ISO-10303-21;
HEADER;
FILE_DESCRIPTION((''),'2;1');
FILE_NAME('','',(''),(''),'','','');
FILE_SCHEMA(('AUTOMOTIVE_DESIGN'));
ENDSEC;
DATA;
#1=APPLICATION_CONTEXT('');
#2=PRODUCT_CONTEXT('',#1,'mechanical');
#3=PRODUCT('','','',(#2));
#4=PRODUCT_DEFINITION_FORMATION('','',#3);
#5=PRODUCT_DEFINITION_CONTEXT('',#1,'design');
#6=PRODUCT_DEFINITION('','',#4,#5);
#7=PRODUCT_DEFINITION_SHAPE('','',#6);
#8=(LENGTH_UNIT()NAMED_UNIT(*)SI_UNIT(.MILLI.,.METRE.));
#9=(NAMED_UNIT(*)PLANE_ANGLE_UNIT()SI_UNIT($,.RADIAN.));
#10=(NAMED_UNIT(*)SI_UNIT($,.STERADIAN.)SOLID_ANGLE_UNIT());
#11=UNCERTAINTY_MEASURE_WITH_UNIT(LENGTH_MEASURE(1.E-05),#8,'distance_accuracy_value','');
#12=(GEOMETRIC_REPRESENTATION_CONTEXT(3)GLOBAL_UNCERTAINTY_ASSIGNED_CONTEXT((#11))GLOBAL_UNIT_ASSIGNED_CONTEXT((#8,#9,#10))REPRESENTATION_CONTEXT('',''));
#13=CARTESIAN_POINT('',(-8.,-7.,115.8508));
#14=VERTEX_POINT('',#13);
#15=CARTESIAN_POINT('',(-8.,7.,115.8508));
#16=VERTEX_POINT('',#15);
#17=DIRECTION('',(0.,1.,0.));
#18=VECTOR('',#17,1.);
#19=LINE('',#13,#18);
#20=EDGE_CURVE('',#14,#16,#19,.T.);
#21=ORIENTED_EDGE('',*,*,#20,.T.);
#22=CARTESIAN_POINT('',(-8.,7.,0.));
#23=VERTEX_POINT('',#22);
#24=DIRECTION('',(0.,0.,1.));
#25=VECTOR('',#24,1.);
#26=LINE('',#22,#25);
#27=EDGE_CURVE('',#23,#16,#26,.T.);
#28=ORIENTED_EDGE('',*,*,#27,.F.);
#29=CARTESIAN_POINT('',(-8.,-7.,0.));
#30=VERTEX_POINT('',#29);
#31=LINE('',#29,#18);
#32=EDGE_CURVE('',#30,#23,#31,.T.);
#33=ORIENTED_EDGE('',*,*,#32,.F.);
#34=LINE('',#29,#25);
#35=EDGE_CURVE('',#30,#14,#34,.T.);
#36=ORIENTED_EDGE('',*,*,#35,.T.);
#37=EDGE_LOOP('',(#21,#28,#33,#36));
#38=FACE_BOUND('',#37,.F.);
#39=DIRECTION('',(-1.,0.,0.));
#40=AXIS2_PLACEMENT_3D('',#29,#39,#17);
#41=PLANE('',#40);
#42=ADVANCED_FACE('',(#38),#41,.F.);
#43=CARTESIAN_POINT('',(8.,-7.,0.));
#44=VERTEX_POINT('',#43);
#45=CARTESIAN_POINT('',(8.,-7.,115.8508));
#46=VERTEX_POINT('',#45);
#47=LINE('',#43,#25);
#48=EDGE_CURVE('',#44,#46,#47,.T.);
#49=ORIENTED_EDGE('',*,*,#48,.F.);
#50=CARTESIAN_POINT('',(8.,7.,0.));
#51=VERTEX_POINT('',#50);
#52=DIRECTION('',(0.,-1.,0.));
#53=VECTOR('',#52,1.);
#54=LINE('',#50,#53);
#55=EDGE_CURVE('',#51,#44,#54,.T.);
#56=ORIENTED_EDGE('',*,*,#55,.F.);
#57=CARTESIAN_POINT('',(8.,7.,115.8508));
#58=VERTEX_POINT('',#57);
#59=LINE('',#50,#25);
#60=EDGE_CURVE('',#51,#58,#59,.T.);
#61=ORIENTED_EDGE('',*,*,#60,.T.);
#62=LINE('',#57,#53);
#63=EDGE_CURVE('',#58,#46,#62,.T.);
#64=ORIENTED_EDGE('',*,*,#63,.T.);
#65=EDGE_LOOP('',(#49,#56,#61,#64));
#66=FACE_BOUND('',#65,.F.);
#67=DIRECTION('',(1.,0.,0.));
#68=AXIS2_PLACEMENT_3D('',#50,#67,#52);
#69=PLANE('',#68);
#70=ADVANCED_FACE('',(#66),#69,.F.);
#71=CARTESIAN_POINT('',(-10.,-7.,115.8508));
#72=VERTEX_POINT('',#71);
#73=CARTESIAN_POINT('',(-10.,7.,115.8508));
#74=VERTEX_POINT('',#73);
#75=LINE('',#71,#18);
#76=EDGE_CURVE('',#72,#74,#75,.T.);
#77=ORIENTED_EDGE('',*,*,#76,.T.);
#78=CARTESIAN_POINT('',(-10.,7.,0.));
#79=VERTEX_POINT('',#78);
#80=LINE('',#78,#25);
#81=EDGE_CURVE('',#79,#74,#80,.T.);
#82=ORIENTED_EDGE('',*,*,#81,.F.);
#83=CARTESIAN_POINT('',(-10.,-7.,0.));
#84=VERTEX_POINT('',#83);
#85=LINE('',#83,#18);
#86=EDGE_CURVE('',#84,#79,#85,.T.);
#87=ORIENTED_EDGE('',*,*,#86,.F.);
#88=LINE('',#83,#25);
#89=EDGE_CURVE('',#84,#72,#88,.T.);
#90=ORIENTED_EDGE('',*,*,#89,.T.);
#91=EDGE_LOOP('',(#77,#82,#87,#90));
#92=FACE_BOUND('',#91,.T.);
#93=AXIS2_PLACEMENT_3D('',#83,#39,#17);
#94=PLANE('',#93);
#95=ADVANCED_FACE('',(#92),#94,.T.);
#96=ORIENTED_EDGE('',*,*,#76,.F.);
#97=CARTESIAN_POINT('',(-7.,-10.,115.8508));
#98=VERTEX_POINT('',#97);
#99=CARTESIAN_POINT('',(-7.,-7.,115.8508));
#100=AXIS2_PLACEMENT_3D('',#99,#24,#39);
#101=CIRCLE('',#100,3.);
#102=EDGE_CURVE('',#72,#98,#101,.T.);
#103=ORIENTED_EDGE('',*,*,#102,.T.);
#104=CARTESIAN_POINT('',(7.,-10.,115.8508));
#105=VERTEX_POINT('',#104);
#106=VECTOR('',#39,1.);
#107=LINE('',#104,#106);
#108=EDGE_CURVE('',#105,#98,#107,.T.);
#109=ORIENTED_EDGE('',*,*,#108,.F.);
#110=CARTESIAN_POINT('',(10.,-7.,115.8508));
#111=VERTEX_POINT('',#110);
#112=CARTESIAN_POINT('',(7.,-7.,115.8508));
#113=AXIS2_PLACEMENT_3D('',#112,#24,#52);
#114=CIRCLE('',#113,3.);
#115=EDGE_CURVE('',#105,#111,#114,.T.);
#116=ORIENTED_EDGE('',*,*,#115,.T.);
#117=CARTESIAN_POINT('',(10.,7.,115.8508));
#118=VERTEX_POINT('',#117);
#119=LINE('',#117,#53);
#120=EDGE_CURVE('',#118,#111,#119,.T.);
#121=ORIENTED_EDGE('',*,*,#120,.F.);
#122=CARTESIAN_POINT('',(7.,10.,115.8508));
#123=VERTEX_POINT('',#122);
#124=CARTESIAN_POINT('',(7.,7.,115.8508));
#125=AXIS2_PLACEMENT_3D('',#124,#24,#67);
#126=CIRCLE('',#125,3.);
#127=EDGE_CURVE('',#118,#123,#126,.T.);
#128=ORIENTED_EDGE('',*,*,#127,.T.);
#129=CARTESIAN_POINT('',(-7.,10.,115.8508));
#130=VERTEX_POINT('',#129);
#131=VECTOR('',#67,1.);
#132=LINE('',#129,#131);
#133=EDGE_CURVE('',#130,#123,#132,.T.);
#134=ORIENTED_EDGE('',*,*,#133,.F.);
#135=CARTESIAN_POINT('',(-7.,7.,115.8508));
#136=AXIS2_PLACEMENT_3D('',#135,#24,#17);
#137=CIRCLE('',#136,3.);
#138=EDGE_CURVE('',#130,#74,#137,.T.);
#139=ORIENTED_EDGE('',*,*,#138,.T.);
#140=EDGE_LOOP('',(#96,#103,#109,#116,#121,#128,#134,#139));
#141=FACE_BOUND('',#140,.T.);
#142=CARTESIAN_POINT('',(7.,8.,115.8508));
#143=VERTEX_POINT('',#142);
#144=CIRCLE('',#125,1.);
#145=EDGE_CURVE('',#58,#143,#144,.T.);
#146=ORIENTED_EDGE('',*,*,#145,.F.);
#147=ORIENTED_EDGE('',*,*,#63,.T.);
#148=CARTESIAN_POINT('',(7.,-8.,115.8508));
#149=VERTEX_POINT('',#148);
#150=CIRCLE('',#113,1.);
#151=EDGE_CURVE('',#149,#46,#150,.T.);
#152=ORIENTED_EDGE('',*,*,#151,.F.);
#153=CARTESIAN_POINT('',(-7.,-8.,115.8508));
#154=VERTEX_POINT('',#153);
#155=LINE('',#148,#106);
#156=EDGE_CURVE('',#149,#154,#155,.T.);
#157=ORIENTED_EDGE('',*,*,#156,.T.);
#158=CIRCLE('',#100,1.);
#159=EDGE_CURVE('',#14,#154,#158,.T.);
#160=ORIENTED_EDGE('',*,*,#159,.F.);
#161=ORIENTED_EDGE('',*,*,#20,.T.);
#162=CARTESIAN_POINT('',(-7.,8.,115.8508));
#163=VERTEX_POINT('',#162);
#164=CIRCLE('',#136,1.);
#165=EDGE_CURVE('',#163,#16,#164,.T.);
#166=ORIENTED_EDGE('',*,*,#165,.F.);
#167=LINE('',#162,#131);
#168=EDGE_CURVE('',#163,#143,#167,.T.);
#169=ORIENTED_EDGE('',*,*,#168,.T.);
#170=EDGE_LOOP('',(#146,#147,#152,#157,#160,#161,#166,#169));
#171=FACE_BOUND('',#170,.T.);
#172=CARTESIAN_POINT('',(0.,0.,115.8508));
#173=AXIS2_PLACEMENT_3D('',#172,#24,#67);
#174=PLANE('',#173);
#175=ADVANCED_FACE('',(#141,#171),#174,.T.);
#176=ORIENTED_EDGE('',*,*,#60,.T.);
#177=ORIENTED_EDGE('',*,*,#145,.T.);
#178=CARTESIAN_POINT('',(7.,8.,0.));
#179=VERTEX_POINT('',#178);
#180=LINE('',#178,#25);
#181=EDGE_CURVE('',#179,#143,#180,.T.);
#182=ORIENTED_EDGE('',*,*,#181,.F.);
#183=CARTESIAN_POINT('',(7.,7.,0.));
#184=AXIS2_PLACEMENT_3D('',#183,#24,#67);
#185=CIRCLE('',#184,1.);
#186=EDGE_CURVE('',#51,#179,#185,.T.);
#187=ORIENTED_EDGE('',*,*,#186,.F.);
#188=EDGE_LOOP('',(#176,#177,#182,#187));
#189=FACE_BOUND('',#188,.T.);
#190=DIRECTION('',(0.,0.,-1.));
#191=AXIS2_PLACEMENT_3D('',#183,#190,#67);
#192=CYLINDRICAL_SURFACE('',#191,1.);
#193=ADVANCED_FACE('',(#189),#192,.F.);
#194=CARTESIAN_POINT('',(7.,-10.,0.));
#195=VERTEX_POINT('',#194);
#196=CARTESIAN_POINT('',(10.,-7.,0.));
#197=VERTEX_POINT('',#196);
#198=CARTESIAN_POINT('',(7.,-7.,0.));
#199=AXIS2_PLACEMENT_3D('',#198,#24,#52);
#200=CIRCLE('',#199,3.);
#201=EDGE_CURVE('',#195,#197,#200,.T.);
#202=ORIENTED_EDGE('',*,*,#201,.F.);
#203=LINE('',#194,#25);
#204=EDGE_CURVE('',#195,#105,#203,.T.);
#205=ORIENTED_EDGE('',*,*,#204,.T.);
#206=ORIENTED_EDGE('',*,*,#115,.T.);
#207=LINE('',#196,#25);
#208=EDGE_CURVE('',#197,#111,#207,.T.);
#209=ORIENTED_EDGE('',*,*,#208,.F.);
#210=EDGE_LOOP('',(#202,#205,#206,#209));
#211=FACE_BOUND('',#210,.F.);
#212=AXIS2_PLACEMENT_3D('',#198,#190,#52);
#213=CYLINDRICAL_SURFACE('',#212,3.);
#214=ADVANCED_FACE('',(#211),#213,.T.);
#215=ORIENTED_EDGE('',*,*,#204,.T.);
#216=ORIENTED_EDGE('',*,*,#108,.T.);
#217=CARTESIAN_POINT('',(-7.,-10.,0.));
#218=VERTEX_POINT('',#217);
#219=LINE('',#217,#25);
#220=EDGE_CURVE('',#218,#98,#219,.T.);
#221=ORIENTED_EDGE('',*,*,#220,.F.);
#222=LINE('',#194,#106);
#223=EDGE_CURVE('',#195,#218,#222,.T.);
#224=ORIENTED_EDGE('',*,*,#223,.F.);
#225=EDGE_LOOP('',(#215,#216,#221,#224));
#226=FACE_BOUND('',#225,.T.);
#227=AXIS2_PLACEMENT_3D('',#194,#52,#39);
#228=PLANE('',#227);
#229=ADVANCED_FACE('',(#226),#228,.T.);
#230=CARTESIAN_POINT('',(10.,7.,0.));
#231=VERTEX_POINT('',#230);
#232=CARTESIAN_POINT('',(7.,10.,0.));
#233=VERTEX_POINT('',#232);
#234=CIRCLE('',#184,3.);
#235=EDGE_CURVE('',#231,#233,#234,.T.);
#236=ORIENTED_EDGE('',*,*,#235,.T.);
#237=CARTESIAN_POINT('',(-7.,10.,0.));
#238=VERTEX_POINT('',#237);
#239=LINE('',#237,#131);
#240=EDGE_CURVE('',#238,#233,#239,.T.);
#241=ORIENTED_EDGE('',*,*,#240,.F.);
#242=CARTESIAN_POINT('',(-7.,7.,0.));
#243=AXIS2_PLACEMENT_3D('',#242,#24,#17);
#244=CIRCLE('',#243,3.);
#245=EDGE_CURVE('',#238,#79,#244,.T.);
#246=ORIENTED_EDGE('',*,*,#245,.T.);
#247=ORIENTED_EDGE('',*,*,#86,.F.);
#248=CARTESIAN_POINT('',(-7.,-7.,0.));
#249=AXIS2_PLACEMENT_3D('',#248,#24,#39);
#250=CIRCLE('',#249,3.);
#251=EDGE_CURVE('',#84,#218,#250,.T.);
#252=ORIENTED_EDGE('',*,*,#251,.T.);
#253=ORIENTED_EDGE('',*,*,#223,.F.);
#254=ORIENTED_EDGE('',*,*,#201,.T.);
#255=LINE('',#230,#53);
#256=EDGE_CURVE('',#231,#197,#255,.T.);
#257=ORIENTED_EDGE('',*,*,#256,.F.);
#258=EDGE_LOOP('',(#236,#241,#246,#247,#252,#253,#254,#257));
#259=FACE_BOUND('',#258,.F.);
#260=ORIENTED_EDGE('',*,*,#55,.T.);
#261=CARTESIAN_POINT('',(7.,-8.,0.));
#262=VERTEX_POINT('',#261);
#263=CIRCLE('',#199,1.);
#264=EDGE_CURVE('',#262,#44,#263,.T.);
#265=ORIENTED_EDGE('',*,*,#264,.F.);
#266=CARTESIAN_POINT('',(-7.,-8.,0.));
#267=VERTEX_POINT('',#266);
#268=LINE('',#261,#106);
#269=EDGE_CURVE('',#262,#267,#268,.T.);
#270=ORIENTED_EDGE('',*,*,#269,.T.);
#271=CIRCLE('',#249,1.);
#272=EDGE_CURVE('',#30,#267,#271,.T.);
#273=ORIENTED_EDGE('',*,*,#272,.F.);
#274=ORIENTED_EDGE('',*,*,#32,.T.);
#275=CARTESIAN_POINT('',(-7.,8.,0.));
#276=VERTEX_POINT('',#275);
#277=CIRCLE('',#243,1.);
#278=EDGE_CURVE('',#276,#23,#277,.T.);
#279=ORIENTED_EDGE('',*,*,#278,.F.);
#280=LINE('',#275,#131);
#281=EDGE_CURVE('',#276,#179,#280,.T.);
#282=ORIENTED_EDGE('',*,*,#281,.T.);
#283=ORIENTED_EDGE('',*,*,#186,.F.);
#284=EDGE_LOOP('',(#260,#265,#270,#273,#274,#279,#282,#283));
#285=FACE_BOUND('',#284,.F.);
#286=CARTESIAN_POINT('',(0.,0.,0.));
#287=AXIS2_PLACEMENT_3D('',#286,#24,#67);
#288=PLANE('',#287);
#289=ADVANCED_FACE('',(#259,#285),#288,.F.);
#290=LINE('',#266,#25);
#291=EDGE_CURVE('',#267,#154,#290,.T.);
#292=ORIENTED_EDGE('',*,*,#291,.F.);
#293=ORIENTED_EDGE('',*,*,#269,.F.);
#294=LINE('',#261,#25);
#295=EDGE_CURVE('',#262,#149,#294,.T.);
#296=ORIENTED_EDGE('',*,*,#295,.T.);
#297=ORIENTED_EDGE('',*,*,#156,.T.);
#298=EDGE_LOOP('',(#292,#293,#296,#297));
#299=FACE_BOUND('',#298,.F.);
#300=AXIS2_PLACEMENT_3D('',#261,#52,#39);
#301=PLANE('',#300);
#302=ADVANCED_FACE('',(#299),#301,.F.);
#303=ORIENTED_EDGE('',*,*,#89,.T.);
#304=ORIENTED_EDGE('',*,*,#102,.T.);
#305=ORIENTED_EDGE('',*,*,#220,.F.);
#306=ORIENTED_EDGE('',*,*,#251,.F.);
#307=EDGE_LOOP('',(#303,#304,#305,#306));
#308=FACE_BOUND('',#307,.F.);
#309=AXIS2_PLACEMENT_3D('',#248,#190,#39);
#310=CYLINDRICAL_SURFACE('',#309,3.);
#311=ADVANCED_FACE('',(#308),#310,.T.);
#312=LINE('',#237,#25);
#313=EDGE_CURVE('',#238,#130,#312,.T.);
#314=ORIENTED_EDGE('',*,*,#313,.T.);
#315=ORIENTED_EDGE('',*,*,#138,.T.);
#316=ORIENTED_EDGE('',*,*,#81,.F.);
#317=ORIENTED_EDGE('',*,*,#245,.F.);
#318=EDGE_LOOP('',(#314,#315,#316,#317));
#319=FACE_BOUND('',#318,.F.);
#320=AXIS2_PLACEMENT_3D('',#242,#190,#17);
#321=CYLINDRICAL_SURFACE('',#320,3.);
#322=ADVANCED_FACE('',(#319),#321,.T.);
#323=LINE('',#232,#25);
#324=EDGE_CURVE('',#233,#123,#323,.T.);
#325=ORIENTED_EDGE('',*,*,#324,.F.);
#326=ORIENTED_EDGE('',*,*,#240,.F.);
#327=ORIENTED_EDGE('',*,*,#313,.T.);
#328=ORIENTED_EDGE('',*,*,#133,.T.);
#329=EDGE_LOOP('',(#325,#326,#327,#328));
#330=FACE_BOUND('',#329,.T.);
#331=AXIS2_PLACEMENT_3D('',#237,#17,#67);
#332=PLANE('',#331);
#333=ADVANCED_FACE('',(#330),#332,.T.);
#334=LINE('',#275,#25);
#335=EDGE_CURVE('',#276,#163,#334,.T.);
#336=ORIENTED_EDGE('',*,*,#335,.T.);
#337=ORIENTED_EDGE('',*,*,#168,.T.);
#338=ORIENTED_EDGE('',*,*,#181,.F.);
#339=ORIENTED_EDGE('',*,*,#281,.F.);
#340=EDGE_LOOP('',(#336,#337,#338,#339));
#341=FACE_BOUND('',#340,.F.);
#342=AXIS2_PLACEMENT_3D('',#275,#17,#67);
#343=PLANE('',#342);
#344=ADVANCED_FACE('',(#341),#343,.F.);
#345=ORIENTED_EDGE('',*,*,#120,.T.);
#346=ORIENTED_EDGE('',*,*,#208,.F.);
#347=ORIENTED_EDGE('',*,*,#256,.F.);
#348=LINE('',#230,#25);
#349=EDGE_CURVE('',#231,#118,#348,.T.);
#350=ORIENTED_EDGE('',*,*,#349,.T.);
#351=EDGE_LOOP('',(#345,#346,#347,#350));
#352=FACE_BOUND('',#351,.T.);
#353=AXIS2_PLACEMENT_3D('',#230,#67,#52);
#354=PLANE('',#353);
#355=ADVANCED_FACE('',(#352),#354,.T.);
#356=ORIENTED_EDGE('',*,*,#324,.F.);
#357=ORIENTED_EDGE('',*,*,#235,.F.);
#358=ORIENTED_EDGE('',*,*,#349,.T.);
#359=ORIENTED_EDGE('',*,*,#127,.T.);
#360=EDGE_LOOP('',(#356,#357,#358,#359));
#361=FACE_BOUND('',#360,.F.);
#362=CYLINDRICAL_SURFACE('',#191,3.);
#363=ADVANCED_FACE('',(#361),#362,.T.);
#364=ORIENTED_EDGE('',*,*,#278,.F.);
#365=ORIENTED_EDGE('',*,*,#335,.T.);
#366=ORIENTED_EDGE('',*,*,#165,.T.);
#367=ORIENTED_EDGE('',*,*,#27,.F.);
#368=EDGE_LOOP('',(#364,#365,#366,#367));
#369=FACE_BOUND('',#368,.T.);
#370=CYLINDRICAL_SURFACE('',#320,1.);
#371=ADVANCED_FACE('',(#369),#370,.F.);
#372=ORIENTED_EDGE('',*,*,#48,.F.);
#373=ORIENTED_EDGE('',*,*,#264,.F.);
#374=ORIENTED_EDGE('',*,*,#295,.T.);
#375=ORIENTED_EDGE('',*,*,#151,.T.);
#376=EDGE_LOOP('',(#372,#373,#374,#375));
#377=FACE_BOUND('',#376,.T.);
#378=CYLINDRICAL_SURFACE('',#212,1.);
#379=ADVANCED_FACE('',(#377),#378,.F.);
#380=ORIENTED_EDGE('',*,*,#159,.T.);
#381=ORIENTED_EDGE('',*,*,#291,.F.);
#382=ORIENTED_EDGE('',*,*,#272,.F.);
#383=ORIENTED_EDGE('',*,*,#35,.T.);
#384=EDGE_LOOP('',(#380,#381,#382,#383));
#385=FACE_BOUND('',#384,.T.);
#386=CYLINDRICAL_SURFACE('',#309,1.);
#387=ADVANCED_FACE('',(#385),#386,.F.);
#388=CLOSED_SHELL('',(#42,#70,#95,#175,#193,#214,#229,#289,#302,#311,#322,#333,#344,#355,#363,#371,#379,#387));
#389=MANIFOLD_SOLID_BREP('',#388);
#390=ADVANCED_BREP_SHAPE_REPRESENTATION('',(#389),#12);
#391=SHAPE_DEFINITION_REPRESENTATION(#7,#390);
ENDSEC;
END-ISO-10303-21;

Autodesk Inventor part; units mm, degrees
ref_plane "YZ Plane" through (0, 0, 0) normal (1, 0, 0) x (0, 1, 0)
ref_plane "Start Plane" through (0, 0, 0) normal (0, 0, 1) x (1, 0, 0)
ref_plane "End Plane" through (0, 0, 115.8508) normal (0, 0, 1) x (1, 0, 0)
sketch "Sketch" plane through (0, 0, 0) normal (0, 0, 1) x (1, 0, 0)
  line L0 (-10, -7) -> (-10, 7)
  line L1 (-7, 10) -> (7, 10)
  line L2 (10, 7) -> (10, -7)
  line L3 (7, -10) -> (-7, -10)
  arc A0 (-10, -7) -> (-7, -10) centre (-7, -7) ccw
  arc A1 (-7, 10) -> (-10, 7) centre (-7, 7) ccw
  arc A2 (10, 7) -> (7, 10) centre (7, 7) ccw
  arc A3 (7, -10) -> (10, -7) centre (7, -7) ccw
  arc A4 (-7, 8) -> (-8, 7) centre (-7, 7) ccw
  line L4 (-7, 8) -> (7, 8)
  arc A5 (8, 7) -> (7, 8) centre (7, 7) ccw
  line L5 (8, 7) -> (8, -7)
  arc A6 (7, -8) -> (8, -7) centre (7, -7) ccw
  line L6 (7, -8) -> (-7, -8)
  arc A7 (-8, -7) -> (-7, -8) centre (-7, -7) ccw
  line L7 (-8, -7) -> (-8, 7)
  line L8 (0, 14.8698) -> (0, -14.8698) construction
  line L9 (-14.8698, 0) -> (14.8698, 0) construction
  dimension "d7" = 3
  dimension "d10" = 20
  dimension "d11" = 20
  dimension "d12" = 2
  dimension "d15" = 10
  dimension "d16" = 10
extrude "Body" add sketch "Sketch" along normal up to surface (115.8508 mm away) from surface at 0
sketch "Sketch3" plane through (0, 0, 0) normal (0, 0, 1) x (1, 0, 0)
  line L0 (0, 0) -> (10, 0)
ref_plane "Work Plane3" through (0, 0, 0) normal (0, -1, 0) x (1, 0, 0)
sketch "Sketch4" plane through (0, 0, 0) normal (0, -1, 0) x (1, 0, 0)
  line L0 (-2, 0) -> (12, 0)
  line L1 (-2, 115.8508) -> (12, 115.8508)
  dimension "d18" = 115.8508
equation "\"d7\" = G_IR"
equation "\"d10\" = G_H"
equation "\"d11\" = G_W"
equation "\"d12\" = G_T"
equation "\"d15\" = 0.5 * d10"
equation "\"d16\" = 0.5 * d11"
equation "\"d3\" = G_L"
equation "\"G_W\" = 20"
equation "\"G_H\" = 20"
equation "\"G_T\" = 2"
equation "\"G_IR\" = 3"
equation "\"G_L\" = d18"
equation "\"G_OFFSET_START\" = 0"
equation "\"G_OFFSET_END\" = 0"
equation "\"d14\" = G_OFFSET_END + B_L"
equation "\"B_L\" = 115.85078"
properties part number "ISO 12633-2 - 20x20x2 - 115,85" material "Steel, Mild"
